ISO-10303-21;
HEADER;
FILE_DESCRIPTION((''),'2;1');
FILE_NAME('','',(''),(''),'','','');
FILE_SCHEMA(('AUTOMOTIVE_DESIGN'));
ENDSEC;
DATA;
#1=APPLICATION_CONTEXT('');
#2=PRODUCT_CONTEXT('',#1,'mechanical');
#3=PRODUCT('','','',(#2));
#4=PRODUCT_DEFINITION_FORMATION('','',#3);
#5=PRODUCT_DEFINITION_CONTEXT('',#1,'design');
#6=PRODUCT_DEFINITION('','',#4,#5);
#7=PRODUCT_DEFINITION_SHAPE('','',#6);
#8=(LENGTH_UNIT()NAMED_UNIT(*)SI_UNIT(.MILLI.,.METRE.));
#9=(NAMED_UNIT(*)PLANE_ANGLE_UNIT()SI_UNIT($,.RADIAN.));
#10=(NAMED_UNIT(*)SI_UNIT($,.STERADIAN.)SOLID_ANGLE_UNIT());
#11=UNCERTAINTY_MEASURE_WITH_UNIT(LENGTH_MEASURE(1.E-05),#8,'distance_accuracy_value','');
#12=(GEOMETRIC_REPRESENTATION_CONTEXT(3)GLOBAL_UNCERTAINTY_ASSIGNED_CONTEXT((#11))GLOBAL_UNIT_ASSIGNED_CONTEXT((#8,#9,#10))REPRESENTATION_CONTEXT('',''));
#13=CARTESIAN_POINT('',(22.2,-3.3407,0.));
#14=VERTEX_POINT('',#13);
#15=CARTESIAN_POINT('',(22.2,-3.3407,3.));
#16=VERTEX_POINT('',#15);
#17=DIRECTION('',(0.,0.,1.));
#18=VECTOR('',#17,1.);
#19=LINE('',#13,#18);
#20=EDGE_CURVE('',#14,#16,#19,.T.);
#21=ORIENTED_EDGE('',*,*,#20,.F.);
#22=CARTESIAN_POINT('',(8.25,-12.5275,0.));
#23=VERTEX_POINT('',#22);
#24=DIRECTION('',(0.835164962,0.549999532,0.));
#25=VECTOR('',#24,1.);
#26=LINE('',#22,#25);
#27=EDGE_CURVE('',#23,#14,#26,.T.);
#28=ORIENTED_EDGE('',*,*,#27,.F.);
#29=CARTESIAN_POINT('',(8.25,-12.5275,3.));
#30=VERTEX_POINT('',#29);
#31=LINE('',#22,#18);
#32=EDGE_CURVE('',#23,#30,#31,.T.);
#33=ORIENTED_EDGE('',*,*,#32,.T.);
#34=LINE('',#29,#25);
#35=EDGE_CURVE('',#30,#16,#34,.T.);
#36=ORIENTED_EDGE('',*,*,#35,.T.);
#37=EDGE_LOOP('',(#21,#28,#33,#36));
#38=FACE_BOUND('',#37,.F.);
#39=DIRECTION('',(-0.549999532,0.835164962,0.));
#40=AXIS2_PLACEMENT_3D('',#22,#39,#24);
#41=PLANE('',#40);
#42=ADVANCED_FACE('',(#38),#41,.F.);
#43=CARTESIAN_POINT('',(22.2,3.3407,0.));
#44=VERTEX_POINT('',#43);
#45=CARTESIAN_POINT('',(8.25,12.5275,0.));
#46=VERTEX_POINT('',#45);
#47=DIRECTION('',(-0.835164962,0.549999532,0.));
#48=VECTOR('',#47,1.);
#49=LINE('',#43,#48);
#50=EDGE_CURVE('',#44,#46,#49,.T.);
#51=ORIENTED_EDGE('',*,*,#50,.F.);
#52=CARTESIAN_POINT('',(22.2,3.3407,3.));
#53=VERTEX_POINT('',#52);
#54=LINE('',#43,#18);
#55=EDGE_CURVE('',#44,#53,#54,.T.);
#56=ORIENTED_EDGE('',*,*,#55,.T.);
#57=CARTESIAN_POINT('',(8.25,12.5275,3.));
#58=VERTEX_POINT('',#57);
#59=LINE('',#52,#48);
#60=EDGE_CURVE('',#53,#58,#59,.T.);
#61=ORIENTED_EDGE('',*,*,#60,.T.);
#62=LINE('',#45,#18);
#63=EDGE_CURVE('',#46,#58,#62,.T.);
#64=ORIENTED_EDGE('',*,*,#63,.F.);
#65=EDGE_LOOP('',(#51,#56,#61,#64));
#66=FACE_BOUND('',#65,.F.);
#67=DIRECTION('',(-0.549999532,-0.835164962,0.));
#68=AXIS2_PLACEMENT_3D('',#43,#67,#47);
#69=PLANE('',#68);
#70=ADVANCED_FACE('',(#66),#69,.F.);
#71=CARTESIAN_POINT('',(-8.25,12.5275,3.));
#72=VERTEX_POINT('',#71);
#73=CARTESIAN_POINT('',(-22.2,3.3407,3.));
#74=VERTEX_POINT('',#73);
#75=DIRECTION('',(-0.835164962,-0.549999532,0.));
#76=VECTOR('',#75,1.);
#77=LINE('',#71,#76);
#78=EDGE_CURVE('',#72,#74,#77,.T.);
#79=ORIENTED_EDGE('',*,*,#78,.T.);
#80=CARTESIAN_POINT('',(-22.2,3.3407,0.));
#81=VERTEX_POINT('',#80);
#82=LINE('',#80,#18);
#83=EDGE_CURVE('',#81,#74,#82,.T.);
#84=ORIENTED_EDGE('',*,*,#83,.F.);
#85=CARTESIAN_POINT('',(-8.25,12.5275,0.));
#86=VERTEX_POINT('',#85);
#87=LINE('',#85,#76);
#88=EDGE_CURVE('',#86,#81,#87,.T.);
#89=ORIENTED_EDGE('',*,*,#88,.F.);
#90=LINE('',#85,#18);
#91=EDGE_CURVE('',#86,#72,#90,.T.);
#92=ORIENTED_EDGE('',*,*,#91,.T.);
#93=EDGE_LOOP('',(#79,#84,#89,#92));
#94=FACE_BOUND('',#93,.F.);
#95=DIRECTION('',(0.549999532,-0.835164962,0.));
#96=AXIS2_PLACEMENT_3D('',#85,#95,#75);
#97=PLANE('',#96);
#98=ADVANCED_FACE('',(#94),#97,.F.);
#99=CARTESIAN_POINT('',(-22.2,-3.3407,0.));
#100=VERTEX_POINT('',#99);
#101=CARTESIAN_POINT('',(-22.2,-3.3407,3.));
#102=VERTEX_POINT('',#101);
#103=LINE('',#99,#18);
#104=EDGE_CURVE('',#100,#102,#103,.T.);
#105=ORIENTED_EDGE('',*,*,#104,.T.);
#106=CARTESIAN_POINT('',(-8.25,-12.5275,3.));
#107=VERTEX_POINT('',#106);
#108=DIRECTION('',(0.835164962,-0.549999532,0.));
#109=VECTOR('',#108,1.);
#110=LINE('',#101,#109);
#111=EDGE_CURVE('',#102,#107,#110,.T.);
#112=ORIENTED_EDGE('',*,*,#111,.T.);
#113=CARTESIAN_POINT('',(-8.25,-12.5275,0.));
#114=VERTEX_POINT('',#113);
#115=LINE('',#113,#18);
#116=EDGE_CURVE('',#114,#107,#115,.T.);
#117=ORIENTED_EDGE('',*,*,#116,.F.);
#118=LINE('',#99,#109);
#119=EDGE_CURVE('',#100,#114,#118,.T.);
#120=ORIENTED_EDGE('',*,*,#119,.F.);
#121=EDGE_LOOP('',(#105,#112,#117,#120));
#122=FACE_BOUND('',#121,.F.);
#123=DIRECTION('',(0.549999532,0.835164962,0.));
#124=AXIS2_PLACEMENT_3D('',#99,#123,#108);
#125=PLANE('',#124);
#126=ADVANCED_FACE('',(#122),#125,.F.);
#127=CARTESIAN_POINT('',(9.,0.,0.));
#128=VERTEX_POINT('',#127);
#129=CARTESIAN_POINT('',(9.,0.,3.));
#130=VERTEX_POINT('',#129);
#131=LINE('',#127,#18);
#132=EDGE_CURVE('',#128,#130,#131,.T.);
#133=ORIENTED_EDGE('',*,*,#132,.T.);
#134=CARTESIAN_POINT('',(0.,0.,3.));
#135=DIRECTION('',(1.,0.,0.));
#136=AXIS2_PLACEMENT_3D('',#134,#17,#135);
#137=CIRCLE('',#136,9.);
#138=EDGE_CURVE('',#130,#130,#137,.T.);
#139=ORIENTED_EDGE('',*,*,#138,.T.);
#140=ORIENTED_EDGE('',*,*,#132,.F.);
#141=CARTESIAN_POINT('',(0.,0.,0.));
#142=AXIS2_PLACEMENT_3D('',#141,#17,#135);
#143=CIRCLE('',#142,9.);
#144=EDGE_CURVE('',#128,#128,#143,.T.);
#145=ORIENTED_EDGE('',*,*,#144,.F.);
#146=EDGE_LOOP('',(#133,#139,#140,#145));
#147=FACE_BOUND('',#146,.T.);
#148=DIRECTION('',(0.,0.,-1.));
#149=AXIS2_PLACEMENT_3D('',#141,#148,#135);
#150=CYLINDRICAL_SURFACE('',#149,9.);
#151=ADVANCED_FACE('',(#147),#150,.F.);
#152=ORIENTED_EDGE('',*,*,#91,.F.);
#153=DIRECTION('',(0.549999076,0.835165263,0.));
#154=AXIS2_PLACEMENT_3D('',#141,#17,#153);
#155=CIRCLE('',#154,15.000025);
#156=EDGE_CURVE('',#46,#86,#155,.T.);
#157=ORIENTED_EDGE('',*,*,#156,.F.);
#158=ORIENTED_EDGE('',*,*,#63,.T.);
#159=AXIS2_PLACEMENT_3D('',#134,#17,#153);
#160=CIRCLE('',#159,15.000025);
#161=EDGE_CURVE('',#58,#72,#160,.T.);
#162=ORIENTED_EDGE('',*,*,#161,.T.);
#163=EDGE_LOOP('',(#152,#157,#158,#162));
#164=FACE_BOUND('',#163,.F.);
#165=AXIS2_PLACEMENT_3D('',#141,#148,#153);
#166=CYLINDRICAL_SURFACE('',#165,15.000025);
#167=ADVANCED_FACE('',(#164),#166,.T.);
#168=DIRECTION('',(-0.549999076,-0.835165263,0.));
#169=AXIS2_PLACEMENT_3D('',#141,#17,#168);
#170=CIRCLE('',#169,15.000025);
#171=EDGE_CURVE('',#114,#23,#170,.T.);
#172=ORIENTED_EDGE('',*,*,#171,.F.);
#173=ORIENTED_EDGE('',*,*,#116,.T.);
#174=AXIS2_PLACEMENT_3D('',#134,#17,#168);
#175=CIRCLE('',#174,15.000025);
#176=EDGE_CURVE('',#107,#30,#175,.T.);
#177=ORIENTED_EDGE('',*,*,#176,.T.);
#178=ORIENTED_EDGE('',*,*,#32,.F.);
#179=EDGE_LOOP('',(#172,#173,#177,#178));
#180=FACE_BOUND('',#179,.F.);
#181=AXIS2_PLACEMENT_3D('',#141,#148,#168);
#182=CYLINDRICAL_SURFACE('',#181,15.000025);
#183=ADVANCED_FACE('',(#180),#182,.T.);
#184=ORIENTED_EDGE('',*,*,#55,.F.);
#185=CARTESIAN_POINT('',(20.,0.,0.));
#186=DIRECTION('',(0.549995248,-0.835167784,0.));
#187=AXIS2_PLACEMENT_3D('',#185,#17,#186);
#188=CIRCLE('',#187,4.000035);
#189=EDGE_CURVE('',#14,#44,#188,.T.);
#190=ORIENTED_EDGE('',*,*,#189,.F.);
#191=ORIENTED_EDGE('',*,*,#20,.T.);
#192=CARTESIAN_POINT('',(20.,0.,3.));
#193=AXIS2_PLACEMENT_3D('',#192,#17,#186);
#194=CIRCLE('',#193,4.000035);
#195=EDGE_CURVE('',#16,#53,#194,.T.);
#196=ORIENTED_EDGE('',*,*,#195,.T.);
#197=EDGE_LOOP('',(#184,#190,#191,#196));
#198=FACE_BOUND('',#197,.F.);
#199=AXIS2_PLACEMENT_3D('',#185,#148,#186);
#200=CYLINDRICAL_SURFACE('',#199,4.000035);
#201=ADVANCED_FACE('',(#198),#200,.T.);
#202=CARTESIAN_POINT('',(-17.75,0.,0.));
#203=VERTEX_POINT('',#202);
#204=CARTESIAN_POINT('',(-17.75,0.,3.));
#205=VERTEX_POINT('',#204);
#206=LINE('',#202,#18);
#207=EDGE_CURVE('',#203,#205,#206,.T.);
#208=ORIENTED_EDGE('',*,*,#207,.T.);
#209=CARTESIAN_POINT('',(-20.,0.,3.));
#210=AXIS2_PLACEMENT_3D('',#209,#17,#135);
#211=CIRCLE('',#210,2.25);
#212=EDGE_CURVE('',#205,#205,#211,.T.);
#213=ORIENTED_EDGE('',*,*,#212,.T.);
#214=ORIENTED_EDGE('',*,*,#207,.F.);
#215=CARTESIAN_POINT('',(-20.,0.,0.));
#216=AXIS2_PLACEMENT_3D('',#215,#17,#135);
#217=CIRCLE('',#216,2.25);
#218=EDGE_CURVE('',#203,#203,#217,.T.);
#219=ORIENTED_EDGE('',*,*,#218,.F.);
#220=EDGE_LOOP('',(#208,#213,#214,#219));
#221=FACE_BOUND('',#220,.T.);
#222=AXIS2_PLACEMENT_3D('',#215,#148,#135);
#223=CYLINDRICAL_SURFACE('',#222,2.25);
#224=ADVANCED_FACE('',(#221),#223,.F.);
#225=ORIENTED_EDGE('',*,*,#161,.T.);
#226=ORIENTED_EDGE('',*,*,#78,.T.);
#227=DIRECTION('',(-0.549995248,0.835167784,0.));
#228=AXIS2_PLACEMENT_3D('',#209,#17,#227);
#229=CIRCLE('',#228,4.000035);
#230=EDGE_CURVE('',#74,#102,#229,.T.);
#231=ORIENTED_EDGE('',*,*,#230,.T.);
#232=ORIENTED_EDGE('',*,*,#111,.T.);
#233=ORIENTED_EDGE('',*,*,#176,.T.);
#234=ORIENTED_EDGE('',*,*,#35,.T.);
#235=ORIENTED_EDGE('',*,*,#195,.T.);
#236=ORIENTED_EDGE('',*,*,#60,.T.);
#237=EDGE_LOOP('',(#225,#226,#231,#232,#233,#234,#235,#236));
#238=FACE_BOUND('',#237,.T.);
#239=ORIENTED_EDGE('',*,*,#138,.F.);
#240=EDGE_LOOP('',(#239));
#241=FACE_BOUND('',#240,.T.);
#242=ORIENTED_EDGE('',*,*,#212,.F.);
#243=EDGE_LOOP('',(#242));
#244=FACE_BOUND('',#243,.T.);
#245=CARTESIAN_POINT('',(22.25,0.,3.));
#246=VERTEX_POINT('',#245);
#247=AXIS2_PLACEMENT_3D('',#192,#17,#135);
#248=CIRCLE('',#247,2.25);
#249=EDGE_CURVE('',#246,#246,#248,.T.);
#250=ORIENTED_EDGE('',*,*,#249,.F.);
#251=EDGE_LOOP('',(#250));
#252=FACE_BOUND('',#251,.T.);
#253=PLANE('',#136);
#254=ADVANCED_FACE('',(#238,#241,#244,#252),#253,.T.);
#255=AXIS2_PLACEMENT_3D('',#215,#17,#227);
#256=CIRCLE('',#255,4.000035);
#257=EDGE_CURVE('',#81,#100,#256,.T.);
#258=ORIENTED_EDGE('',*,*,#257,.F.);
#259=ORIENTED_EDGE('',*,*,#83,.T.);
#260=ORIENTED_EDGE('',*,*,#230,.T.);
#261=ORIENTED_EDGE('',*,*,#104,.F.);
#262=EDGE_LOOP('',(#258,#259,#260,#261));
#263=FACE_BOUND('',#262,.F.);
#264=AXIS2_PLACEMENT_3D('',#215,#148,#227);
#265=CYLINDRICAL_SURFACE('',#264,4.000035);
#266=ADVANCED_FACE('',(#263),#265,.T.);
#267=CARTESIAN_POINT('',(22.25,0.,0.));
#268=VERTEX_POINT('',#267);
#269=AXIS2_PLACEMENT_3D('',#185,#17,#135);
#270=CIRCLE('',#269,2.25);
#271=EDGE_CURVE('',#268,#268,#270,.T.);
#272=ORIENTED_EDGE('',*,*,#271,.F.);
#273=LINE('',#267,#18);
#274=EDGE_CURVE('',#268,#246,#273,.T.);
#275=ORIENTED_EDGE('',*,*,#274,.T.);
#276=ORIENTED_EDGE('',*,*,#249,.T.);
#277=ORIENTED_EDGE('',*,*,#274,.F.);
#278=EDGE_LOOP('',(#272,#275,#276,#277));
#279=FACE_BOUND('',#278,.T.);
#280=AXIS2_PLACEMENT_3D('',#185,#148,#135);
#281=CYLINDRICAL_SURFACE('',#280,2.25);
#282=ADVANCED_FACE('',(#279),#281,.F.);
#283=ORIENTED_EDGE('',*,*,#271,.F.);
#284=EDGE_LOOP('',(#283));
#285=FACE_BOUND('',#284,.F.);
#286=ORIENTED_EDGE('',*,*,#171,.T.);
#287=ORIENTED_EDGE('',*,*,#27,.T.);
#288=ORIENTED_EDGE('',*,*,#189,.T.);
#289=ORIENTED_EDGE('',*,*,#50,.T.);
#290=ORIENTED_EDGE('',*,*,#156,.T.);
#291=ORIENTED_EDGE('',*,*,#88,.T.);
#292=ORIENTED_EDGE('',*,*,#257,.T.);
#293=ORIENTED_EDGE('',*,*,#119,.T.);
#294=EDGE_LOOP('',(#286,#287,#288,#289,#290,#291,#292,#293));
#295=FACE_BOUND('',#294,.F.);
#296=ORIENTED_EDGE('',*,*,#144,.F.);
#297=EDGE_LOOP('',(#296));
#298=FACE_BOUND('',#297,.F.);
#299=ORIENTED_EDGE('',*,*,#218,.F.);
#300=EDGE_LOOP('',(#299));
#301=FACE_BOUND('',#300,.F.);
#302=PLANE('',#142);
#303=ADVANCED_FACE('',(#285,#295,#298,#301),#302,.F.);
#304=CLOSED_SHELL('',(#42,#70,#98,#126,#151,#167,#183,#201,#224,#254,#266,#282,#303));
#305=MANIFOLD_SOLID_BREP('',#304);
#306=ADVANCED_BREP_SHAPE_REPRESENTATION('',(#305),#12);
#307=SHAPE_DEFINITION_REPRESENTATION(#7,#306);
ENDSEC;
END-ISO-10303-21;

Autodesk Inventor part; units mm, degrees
ref_plane "YZ Plane" through (0, 0, 0) normal (1, 0, 0) x (0, 1, 0)
ref_plane "XZ Plane" through (0, 0, 0) normal (0, 1, 0) x (-1, 0, 0)
ref_plane "XY Plane" through (0, 0, 0) normal (0, 0, 1) x (1, 0, 0)
sketch "Esboço1" plane through (0, 0, 0) normal (0, 0, 1) x (1, 0, 0)
  arc A0 (-22.2, 3.3407) -> (-22.2, -3.3407) centre (-20, 0) ccw
  arc A1 (22.2, -3.3407) -> (22.2, 3.3407) centre (20, 0) ccw
  line L0 (-8.25, 12.5275) -> (-22.2, 3.3407)
  line L1 (-22.2, -3.3407) -> (-8.25, -12.5275)
  line L2 (8.25, -12.5275) -> (22.2, -3.3407)
  line L3 (22.2, 3.3407) -> (8.25, 12.5275)
  arc A2 (-8.25, -12.5275) -> (8.25, -12.5275) centre (0, 0) ccw
  arc A3 (8.25, 12.5275) -> (-8.25, 12.5275) centre (0, 0) ccw
  circle A4 centre (0, 0) radius 9
  circle A5 centre (20, 0) radius 2.25
  circle A6 centre (-20, 0) radius 2.25
  dimension "d1" = 8
  dimension "d2" = 20
  dimension "d3" = 20
  dimension "d4" = 18
  dimension "d5" = 4.5
  dimension "d6" = 15
extrude "Extrusão1" add sketch "Esboço1" along normal blind 3
